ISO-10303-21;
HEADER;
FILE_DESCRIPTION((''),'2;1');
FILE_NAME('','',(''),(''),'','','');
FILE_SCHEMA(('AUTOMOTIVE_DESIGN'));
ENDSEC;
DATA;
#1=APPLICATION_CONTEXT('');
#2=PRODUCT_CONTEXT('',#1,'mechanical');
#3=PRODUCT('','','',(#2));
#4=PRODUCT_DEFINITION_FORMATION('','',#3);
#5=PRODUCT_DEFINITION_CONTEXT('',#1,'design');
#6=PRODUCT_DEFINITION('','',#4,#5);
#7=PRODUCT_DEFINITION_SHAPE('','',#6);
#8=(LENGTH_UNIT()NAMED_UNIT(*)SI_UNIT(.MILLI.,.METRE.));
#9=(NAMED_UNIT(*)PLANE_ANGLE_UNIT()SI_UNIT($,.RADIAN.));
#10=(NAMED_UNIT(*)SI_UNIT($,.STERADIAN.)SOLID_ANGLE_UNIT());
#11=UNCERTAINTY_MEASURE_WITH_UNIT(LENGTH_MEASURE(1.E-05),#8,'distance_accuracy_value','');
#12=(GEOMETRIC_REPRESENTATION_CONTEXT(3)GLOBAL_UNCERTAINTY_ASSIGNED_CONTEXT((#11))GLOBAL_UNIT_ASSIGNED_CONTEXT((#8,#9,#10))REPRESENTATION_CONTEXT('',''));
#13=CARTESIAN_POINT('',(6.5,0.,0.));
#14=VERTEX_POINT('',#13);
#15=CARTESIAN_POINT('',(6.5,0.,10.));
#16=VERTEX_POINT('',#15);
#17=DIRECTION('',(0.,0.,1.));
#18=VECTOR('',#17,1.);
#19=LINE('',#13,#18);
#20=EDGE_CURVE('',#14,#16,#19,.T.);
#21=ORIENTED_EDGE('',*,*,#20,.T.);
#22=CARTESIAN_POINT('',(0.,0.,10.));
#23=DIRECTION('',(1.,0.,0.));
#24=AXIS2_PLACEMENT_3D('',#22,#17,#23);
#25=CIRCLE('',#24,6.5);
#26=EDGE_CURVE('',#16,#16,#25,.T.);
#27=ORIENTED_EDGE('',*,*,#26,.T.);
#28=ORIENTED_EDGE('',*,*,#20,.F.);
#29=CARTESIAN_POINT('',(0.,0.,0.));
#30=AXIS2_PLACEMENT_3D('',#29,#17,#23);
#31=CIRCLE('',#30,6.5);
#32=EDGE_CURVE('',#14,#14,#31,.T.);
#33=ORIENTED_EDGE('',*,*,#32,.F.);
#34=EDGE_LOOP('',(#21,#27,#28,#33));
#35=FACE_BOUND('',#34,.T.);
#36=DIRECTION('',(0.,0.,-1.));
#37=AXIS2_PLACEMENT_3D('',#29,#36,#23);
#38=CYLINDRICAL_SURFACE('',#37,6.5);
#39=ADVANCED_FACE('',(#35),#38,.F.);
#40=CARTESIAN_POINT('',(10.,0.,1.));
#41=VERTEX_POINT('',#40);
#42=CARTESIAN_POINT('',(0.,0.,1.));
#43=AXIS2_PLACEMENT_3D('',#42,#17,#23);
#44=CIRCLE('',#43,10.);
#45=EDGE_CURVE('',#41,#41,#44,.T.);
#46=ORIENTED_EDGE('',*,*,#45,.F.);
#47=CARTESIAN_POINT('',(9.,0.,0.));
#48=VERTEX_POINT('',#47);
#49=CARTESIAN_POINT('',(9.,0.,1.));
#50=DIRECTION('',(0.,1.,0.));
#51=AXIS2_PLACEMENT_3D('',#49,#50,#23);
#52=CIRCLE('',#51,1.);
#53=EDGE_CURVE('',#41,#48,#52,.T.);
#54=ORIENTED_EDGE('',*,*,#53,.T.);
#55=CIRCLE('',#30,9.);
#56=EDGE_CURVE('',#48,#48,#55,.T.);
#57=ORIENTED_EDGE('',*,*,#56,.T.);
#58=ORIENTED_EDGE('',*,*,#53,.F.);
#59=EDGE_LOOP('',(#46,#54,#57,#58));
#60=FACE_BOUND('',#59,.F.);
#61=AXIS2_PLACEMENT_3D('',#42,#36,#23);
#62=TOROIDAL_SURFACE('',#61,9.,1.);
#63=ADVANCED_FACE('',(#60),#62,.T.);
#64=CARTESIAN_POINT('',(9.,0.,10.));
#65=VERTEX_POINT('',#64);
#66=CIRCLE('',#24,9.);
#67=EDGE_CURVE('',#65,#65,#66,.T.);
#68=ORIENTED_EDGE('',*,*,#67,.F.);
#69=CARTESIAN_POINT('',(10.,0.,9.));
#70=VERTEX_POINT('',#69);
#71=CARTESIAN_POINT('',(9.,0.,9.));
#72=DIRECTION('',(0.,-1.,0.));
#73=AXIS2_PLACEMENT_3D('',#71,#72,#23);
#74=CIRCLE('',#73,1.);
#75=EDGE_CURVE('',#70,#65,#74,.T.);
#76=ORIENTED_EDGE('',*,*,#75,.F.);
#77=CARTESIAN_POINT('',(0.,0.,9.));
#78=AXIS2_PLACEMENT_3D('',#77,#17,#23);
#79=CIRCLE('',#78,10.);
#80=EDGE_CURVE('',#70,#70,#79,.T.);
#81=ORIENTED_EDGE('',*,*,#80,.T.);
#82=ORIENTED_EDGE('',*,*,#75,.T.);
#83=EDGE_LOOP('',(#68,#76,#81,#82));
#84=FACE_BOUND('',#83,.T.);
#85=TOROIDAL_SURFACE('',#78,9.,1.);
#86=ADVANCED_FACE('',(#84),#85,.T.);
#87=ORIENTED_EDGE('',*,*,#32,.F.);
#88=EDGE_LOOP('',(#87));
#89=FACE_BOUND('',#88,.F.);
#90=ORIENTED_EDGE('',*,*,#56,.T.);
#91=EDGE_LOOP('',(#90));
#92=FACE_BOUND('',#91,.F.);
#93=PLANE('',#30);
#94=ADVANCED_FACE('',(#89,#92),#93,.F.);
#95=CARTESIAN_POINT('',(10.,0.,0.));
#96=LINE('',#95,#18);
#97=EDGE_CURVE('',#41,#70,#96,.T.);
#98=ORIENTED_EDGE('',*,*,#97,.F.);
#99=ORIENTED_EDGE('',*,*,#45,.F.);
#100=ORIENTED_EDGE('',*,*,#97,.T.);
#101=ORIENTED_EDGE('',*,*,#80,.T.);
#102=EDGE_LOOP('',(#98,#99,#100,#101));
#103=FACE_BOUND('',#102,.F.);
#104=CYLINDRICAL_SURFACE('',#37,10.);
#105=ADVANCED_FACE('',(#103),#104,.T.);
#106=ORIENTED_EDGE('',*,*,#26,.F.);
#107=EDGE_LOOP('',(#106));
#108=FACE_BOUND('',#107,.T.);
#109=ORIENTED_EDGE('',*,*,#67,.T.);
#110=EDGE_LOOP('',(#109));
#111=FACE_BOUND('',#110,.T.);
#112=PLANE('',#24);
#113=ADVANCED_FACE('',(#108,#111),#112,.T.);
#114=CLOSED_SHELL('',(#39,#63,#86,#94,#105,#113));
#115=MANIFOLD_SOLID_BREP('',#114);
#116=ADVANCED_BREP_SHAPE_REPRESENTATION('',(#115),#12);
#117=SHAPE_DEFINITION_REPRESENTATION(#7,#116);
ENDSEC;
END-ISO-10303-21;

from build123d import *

# Parameters (mm, degrees)
F0_R     = 10
F0_R_2   = 6.5
F1_DEPTH = 10
F2_R     = 1
F3_R     = 1


with BuildPart() as f1:
    # F0 (on Top) → F1 (new body)
    with BuildSketch(Plane.XY):
        Circle(F0_R)
        Circle(F0_R_2, mode=Mode.SUBTRACT)
    extrude(amount=F1_DEPTH)

    # F2
    f2_edges = [f1.edges().sort_by_distance(p)[0] for p in [
        (-10, 0, 10),
    ]]
    fillet(f2_edges, radius=F2_R)

    # F3
    f3_edges = [f1.edges().sort_by_distance(p)[0] for p in [
        (-10, 0, 0),
    ]]
    fillet(f3_edges, radius=F3_R)


solid = f1.part
